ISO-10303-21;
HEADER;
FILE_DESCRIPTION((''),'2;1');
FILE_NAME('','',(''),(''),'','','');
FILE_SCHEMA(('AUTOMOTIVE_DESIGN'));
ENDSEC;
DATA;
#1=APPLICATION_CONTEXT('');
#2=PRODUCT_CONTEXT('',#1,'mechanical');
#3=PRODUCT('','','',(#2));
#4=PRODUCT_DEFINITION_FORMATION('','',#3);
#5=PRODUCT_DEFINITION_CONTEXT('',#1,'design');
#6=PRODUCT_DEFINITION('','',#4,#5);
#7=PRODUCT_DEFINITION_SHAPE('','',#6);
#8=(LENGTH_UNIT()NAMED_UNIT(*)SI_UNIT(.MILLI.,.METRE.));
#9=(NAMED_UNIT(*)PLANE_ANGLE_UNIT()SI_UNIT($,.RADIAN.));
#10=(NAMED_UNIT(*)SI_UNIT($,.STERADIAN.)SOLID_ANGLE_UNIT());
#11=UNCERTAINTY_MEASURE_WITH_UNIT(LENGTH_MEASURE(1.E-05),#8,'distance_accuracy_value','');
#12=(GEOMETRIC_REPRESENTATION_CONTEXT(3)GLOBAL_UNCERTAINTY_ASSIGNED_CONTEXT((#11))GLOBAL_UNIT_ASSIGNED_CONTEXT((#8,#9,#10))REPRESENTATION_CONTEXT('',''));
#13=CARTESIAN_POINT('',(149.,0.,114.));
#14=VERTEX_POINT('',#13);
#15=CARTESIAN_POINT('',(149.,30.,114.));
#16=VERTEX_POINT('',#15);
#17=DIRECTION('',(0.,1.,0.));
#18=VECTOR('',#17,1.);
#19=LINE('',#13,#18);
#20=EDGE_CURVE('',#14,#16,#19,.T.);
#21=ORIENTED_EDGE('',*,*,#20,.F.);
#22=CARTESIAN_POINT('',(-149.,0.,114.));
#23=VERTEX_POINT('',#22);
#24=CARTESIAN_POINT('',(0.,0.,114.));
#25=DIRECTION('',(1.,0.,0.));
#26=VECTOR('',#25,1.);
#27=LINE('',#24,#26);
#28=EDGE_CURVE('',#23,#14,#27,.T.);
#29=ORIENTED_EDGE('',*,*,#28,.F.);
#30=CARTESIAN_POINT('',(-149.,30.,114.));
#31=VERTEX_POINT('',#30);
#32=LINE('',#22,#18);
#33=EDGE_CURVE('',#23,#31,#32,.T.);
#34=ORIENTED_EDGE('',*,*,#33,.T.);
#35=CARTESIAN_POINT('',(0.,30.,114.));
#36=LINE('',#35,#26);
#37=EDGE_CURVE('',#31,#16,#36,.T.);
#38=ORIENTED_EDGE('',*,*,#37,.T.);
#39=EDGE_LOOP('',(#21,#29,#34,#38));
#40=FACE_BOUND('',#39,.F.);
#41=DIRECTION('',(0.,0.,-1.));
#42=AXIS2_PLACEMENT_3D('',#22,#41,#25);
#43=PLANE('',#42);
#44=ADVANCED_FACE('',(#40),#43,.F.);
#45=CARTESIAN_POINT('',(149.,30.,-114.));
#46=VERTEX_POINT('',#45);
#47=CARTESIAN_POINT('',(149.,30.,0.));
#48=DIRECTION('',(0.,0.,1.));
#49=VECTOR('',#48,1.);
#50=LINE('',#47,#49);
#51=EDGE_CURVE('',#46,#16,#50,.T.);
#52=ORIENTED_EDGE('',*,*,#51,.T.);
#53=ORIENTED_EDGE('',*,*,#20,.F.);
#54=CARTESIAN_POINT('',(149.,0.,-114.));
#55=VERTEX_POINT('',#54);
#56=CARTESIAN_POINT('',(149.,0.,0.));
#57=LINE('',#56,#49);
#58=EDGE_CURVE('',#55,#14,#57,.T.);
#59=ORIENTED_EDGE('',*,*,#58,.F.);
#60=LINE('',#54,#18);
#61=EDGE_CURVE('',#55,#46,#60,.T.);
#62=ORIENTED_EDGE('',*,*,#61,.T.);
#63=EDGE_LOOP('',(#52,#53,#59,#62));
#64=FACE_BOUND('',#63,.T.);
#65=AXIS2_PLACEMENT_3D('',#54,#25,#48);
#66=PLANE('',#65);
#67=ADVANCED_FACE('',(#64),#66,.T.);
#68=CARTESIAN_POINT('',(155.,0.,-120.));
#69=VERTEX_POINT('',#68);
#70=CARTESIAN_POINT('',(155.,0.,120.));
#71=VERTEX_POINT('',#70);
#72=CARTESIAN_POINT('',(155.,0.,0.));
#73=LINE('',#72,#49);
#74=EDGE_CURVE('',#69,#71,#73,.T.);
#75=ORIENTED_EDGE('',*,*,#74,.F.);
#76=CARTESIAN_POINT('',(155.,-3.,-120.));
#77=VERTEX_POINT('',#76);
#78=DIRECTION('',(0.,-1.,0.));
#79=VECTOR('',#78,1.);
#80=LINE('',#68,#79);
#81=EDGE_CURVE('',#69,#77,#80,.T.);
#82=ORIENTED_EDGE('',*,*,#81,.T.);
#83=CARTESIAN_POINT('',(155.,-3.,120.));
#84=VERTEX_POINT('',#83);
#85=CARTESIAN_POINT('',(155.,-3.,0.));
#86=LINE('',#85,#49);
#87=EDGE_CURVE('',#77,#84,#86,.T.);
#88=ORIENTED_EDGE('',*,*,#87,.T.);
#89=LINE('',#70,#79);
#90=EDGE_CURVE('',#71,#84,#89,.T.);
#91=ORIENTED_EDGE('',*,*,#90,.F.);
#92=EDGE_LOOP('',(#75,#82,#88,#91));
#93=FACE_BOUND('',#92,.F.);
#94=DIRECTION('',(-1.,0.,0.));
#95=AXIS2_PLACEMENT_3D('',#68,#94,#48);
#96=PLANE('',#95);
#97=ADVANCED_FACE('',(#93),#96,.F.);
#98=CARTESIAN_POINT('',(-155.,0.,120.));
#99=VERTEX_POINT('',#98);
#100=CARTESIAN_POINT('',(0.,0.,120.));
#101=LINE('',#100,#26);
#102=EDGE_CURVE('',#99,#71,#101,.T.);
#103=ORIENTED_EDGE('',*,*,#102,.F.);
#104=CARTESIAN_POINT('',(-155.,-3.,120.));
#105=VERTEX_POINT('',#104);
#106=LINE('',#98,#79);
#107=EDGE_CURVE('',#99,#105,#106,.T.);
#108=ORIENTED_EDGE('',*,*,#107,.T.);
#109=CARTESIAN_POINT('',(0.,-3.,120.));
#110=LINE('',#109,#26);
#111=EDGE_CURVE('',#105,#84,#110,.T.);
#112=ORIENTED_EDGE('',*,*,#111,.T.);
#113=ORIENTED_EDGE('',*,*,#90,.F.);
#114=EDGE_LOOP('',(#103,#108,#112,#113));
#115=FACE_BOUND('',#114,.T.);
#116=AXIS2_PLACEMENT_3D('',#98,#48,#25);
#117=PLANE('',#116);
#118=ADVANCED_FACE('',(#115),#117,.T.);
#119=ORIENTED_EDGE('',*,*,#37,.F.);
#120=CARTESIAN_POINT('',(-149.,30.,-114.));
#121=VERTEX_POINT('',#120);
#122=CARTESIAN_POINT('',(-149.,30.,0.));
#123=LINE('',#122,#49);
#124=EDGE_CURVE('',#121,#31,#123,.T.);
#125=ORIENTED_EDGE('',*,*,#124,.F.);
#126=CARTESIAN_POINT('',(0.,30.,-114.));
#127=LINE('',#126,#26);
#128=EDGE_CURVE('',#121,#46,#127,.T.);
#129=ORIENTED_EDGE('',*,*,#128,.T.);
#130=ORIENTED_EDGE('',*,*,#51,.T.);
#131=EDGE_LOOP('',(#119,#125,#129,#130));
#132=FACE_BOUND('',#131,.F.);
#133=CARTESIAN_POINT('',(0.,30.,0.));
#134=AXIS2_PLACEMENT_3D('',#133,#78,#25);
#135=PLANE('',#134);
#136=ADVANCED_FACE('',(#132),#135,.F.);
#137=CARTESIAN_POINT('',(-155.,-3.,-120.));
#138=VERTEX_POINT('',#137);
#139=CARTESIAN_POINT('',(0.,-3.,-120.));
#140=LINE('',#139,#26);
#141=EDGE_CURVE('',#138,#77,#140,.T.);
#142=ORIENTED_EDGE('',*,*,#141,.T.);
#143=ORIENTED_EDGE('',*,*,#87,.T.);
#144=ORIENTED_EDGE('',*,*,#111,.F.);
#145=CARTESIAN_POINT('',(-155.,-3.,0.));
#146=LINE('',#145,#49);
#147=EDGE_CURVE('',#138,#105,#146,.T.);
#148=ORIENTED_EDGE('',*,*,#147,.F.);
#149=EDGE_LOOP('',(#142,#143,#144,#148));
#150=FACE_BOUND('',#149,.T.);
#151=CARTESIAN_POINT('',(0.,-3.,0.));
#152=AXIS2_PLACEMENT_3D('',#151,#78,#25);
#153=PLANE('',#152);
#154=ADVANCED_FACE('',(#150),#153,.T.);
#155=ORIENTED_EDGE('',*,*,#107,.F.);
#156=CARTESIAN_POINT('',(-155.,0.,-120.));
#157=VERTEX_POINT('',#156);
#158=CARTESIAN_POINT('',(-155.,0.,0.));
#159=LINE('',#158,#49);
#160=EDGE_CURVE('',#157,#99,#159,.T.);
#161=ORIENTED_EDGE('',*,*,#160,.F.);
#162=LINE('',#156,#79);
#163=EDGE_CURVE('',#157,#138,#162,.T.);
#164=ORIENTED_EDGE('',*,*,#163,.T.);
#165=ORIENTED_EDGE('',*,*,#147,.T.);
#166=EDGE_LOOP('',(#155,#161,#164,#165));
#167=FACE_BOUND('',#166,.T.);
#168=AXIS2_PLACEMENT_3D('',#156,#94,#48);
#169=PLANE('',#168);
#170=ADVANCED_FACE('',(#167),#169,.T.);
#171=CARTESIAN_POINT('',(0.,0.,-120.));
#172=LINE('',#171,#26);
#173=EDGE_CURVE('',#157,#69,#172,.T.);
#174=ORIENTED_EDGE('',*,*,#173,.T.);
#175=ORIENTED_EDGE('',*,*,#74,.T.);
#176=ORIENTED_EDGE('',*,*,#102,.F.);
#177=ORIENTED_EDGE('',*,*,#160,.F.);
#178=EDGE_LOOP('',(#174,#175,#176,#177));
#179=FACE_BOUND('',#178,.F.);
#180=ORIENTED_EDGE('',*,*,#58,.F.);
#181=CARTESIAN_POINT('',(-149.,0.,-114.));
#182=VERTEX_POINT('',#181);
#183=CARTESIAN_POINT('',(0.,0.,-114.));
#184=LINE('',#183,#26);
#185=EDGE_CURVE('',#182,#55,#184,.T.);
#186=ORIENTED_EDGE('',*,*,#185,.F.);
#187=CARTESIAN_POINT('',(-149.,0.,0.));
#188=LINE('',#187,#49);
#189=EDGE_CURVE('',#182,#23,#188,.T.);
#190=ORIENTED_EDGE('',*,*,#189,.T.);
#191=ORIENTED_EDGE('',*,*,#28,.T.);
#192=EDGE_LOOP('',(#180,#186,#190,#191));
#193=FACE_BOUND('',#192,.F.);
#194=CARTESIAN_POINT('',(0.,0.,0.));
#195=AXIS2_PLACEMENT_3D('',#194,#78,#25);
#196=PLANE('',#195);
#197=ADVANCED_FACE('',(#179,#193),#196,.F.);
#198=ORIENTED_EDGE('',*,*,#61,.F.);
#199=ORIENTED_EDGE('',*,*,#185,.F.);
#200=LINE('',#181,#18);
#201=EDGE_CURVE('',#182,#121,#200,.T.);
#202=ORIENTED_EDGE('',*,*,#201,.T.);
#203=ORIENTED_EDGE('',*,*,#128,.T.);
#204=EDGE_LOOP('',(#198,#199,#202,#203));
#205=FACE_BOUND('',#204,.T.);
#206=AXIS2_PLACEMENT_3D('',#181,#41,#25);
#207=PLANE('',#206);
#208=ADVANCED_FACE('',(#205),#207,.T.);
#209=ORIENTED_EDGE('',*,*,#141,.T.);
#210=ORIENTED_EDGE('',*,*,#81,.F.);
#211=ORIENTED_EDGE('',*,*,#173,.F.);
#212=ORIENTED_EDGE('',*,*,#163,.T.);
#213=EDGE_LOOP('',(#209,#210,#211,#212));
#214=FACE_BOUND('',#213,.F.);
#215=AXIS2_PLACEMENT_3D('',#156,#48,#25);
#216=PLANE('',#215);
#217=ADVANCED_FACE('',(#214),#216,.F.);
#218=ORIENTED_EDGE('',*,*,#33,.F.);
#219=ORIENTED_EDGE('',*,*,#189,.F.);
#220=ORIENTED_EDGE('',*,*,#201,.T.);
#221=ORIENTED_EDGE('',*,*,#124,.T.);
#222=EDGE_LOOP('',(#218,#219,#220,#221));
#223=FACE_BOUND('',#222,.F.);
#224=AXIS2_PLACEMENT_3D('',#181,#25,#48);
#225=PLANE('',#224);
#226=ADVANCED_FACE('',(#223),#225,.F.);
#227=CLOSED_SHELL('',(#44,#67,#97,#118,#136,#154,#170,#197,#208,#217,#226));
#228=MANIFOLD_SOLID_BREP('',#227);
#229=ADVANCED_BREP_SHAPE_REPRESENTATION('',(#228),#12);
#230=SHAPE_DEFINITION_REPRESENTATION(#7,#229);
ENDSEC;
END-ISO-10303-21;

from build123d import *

# Parameters (mm, degrees)
F1_W     = 298
F1_H     = 228
F2_DEPTH = 30
F0_W     = 310
F0_H     = 240
F3_DEPTH = 3


with BuildPart() as f2:
    # F1 (on face) → F2 (new body)
    with BuildSketch(Plane.XZ):
        Rectangle(F1_W, F1_H)
    extrude(amount=-F2_DEPTH)

    # F0 (on Front) → F3 (join)
    with BuildSketch(Plane.XZ):
        Rectangle(F0_W, F0_H)
    extrude(amount=F3_DEPTH)


solid = f2.part
